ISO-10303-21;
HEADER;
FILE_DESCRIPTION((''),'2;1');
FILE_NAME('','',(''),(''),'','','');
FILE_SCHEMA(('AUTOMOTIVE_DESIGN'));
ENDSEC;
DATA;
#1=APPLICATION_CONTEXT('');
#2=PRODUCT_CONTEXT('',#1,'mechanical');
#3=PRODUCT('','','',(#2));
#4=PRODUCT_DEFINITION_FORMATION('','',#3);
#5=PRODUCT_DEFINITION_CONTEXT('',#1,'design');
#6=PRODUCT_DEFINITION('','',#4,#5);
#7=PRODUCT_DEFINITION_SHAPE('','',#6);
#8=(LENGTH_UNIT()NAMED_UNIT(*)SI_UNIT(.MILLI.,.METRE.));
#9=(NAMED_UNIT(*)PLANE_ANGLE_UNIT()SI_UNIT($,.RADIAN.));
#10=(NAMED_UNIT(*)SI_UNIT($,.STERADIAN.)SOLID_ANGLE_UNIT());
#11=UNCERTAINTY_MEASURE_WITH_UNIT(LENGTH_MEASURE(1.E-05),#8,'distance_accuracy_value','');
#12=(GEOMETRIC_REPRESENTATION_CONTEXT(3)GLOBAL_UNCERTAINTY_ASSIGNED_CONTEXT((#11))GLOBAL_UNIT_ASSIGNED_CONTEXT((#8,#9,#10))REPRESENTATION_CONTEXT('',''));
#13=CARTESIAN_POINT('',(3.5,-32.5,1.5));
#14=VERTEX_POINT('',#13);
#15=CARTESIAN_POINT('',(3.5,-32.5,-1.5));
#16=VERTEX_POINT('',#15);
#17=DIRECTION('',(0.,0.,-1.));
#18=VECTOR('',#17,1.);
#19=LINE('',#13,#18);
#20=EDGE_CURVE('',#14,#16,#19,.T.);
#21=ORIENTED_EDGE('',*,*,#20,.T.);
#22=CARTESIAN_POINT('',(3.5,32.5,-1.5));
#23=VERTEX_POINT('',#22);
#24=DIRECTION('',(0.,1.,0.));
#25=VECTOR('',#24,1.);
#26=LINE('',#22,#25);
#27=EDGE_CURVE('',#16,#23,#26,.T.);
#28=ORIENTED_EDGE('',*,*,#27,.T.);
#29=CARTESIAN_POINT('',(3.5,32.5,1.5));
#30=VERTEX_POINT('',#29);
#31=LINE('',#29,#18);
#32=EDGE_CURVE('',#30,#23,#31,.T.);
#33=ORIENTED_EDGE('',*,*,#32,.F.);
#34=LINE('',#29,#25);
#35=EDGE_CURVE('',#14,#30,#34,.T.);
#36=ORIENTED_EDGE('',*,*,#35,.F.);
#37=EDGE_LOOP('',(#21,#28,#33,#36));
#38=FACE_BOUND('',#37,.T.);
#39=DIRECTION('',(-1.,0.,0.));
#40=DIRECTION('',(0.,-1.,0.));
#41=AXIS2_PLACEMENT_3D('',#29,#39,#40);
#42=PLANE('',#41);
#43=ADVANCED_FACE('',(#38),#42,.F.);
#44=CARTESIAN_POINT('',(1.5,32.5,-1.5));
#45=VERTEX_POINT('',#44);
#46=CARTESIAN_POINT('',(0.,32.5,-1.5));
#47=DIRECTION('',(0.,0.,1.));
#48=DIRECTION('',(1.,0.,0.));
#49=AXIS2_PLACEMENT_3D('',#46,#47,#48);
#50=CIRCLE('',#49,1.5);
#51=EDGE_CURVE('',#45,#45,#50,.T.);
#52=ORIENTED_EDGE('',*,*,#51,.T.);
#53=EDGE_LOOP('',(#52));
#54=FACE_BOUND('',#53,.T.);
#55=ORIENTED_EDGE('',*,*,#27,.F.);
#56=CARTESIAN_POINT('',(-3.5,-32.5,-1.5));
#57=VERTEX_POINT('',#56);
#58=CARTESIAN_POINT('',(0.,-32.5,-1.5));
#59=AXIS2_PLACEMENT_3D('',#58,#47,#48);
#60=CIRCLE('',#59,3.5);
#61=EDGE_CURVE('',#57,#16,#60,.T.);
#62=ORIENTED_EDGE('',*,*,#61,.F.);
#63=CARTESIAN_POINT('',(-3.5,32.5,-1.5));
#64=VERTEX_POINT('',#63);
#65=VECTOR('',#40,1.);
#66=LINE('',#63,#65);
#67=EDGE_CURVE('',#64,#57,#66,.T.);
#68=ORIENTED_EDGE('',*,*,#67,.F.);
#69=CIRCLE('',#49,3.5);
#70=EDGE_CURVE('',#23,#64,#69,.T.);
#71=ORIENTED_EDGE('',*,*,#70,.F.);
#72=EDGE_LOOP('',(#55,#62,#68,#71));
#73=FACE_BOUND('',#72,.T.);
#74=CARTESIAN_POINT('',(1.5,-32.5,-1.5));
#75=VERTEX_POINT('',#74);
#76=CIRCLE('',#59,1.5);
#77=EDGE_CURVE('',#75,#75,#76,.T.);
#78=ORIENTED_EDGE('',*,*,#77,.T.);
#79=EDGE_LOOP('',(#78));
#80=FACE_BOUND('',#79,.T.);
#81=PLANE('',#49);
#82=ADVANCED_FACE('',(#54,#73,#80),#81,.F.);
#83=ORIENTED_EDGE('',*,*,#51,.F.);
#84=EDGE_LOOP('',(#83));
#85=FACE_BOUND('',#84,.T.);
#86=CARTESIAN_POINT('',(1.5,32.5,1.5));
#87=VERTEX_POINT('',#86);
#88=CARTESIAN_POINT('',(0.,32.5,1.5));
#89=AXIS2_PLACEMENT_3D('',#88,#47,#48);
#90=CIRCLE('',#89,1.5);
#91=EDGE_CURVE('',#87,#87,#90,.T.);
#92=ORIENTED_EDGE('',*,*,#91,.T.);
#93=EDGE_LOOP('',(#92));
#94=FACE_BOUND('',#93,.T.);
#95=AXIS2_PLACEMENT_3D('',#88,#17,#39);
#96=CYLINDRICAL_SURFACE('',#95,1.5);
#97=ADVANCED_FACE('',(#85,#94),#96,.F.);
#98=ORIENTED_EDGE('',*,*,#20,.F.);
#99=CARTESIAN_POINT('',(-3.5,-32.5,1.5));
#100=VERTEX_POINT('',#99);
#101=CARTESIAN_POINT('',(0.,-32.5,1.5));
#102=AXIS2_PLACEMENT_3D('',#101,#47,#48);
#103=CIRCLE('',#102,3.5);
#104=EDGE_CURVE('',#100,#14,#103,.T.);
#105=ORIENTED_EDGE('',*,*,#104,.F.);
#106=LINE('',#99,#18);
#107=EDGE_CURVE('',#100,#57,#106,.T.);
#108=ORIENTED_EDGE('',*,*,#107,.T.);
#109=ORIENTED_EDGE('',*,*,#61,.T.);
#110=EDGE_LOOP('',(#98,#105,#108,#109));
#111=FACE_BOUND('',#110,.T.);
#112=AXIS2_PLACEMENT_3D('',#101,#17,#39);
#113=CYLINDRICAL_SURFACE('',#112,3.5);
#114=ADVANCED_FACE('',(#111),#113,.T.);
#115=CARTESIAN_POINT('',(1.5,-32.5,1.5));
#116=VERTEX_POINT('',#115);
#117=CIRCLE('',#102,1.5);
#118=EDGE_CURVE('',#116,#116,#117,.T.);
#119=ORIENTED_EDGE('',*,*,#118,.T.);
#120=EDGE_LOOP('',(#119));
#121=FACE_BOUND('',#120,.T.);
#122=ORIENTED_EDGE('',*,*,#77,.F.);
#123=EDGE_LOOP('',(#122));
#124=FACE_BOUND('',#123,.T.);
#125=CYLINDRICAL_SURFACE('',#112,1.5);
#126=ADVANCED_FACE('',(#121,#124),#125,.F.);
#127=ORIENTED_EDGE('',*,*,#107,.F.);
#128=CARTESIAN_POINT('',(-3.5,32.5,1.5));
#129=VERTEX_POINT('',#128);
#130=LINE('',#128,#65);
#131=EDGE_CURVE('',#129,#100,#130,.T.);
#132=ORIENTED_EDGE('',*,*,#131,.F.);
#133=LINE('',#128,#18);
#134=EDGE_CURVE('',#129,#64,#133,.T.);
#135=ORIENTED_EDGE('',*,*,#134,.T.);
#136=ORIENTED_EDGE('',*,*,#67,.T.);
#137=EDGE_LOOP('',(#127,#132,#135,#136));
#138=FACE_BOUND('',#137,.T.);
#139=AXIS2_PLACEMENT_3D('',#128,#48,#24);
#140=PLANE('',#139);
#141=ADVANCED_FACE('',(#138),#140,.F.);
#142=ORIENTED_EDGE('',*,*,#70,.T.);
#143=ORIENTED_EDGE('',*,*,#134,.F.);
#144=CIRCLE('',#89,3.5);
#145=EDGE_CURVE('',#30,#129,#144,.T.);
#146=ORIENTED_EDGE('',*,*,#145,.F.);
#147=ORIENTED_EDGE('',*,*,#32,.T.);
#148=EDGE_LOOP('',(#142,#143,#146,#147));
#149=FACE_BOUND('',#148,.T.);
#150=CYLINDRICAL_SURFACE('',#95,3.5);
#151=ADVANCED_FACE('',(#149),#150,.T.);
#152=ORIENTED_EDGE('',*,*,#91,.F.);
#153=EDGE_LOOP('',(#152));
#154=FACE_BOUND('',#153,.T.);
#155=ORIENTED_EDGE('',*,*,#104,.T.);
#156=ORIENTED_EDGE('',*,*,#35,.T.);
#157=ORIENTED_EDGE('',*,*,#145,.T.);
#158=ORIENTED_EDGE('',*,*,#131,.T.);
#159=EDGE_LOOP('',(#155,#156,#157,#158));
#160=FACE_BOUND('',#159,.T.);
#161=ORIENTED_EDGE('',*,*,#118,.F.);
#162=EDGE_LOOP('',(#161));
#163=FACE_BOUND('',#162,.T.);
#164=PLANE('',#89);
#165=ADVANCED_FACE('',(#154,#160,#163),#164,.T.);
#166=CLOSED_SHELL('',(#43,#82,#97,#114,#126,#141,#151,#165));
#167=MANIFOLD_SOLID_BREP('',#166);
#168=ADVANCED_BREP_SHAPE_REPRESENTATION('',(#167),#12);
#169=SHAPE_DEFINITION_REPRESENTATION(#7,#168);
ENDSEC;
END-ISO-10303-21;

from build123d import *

# Parameters (mm, degrees)
SKETCH1_R           = 1.5
BOSS_EXTRUDE1_DEPTH = 1.5


with BuildPart() as part:
    # Sketch1 → Boss-Extrude1 (new, symmetric)
    with BuildSketch(Plane.XY):
        with BuildLine():
            Line((3.5, 32.5), (3.5, -32.5))
            ThreePointArc((3.5, -32.5), (0, -36), (-3.5, -32.5))
            Line((-3.5, -32.5), (-3.5, 32.5))
            ThreePointArc((-3.5, 32.5), (0, 36), (3.5, 32.5))
        make_face()
        with Locations((0, -32.5)):
            Circle(SKETCH1_R, mode=Mode.SUBTRACT)
        with Locations((0, 32.5)):
            Circle(SKETCH1_R, mode=Mode.SUBTRACT)
    extrude(amount=BOSS_EXTRUDE1_DEPTH, both=True)


solid = part.part
